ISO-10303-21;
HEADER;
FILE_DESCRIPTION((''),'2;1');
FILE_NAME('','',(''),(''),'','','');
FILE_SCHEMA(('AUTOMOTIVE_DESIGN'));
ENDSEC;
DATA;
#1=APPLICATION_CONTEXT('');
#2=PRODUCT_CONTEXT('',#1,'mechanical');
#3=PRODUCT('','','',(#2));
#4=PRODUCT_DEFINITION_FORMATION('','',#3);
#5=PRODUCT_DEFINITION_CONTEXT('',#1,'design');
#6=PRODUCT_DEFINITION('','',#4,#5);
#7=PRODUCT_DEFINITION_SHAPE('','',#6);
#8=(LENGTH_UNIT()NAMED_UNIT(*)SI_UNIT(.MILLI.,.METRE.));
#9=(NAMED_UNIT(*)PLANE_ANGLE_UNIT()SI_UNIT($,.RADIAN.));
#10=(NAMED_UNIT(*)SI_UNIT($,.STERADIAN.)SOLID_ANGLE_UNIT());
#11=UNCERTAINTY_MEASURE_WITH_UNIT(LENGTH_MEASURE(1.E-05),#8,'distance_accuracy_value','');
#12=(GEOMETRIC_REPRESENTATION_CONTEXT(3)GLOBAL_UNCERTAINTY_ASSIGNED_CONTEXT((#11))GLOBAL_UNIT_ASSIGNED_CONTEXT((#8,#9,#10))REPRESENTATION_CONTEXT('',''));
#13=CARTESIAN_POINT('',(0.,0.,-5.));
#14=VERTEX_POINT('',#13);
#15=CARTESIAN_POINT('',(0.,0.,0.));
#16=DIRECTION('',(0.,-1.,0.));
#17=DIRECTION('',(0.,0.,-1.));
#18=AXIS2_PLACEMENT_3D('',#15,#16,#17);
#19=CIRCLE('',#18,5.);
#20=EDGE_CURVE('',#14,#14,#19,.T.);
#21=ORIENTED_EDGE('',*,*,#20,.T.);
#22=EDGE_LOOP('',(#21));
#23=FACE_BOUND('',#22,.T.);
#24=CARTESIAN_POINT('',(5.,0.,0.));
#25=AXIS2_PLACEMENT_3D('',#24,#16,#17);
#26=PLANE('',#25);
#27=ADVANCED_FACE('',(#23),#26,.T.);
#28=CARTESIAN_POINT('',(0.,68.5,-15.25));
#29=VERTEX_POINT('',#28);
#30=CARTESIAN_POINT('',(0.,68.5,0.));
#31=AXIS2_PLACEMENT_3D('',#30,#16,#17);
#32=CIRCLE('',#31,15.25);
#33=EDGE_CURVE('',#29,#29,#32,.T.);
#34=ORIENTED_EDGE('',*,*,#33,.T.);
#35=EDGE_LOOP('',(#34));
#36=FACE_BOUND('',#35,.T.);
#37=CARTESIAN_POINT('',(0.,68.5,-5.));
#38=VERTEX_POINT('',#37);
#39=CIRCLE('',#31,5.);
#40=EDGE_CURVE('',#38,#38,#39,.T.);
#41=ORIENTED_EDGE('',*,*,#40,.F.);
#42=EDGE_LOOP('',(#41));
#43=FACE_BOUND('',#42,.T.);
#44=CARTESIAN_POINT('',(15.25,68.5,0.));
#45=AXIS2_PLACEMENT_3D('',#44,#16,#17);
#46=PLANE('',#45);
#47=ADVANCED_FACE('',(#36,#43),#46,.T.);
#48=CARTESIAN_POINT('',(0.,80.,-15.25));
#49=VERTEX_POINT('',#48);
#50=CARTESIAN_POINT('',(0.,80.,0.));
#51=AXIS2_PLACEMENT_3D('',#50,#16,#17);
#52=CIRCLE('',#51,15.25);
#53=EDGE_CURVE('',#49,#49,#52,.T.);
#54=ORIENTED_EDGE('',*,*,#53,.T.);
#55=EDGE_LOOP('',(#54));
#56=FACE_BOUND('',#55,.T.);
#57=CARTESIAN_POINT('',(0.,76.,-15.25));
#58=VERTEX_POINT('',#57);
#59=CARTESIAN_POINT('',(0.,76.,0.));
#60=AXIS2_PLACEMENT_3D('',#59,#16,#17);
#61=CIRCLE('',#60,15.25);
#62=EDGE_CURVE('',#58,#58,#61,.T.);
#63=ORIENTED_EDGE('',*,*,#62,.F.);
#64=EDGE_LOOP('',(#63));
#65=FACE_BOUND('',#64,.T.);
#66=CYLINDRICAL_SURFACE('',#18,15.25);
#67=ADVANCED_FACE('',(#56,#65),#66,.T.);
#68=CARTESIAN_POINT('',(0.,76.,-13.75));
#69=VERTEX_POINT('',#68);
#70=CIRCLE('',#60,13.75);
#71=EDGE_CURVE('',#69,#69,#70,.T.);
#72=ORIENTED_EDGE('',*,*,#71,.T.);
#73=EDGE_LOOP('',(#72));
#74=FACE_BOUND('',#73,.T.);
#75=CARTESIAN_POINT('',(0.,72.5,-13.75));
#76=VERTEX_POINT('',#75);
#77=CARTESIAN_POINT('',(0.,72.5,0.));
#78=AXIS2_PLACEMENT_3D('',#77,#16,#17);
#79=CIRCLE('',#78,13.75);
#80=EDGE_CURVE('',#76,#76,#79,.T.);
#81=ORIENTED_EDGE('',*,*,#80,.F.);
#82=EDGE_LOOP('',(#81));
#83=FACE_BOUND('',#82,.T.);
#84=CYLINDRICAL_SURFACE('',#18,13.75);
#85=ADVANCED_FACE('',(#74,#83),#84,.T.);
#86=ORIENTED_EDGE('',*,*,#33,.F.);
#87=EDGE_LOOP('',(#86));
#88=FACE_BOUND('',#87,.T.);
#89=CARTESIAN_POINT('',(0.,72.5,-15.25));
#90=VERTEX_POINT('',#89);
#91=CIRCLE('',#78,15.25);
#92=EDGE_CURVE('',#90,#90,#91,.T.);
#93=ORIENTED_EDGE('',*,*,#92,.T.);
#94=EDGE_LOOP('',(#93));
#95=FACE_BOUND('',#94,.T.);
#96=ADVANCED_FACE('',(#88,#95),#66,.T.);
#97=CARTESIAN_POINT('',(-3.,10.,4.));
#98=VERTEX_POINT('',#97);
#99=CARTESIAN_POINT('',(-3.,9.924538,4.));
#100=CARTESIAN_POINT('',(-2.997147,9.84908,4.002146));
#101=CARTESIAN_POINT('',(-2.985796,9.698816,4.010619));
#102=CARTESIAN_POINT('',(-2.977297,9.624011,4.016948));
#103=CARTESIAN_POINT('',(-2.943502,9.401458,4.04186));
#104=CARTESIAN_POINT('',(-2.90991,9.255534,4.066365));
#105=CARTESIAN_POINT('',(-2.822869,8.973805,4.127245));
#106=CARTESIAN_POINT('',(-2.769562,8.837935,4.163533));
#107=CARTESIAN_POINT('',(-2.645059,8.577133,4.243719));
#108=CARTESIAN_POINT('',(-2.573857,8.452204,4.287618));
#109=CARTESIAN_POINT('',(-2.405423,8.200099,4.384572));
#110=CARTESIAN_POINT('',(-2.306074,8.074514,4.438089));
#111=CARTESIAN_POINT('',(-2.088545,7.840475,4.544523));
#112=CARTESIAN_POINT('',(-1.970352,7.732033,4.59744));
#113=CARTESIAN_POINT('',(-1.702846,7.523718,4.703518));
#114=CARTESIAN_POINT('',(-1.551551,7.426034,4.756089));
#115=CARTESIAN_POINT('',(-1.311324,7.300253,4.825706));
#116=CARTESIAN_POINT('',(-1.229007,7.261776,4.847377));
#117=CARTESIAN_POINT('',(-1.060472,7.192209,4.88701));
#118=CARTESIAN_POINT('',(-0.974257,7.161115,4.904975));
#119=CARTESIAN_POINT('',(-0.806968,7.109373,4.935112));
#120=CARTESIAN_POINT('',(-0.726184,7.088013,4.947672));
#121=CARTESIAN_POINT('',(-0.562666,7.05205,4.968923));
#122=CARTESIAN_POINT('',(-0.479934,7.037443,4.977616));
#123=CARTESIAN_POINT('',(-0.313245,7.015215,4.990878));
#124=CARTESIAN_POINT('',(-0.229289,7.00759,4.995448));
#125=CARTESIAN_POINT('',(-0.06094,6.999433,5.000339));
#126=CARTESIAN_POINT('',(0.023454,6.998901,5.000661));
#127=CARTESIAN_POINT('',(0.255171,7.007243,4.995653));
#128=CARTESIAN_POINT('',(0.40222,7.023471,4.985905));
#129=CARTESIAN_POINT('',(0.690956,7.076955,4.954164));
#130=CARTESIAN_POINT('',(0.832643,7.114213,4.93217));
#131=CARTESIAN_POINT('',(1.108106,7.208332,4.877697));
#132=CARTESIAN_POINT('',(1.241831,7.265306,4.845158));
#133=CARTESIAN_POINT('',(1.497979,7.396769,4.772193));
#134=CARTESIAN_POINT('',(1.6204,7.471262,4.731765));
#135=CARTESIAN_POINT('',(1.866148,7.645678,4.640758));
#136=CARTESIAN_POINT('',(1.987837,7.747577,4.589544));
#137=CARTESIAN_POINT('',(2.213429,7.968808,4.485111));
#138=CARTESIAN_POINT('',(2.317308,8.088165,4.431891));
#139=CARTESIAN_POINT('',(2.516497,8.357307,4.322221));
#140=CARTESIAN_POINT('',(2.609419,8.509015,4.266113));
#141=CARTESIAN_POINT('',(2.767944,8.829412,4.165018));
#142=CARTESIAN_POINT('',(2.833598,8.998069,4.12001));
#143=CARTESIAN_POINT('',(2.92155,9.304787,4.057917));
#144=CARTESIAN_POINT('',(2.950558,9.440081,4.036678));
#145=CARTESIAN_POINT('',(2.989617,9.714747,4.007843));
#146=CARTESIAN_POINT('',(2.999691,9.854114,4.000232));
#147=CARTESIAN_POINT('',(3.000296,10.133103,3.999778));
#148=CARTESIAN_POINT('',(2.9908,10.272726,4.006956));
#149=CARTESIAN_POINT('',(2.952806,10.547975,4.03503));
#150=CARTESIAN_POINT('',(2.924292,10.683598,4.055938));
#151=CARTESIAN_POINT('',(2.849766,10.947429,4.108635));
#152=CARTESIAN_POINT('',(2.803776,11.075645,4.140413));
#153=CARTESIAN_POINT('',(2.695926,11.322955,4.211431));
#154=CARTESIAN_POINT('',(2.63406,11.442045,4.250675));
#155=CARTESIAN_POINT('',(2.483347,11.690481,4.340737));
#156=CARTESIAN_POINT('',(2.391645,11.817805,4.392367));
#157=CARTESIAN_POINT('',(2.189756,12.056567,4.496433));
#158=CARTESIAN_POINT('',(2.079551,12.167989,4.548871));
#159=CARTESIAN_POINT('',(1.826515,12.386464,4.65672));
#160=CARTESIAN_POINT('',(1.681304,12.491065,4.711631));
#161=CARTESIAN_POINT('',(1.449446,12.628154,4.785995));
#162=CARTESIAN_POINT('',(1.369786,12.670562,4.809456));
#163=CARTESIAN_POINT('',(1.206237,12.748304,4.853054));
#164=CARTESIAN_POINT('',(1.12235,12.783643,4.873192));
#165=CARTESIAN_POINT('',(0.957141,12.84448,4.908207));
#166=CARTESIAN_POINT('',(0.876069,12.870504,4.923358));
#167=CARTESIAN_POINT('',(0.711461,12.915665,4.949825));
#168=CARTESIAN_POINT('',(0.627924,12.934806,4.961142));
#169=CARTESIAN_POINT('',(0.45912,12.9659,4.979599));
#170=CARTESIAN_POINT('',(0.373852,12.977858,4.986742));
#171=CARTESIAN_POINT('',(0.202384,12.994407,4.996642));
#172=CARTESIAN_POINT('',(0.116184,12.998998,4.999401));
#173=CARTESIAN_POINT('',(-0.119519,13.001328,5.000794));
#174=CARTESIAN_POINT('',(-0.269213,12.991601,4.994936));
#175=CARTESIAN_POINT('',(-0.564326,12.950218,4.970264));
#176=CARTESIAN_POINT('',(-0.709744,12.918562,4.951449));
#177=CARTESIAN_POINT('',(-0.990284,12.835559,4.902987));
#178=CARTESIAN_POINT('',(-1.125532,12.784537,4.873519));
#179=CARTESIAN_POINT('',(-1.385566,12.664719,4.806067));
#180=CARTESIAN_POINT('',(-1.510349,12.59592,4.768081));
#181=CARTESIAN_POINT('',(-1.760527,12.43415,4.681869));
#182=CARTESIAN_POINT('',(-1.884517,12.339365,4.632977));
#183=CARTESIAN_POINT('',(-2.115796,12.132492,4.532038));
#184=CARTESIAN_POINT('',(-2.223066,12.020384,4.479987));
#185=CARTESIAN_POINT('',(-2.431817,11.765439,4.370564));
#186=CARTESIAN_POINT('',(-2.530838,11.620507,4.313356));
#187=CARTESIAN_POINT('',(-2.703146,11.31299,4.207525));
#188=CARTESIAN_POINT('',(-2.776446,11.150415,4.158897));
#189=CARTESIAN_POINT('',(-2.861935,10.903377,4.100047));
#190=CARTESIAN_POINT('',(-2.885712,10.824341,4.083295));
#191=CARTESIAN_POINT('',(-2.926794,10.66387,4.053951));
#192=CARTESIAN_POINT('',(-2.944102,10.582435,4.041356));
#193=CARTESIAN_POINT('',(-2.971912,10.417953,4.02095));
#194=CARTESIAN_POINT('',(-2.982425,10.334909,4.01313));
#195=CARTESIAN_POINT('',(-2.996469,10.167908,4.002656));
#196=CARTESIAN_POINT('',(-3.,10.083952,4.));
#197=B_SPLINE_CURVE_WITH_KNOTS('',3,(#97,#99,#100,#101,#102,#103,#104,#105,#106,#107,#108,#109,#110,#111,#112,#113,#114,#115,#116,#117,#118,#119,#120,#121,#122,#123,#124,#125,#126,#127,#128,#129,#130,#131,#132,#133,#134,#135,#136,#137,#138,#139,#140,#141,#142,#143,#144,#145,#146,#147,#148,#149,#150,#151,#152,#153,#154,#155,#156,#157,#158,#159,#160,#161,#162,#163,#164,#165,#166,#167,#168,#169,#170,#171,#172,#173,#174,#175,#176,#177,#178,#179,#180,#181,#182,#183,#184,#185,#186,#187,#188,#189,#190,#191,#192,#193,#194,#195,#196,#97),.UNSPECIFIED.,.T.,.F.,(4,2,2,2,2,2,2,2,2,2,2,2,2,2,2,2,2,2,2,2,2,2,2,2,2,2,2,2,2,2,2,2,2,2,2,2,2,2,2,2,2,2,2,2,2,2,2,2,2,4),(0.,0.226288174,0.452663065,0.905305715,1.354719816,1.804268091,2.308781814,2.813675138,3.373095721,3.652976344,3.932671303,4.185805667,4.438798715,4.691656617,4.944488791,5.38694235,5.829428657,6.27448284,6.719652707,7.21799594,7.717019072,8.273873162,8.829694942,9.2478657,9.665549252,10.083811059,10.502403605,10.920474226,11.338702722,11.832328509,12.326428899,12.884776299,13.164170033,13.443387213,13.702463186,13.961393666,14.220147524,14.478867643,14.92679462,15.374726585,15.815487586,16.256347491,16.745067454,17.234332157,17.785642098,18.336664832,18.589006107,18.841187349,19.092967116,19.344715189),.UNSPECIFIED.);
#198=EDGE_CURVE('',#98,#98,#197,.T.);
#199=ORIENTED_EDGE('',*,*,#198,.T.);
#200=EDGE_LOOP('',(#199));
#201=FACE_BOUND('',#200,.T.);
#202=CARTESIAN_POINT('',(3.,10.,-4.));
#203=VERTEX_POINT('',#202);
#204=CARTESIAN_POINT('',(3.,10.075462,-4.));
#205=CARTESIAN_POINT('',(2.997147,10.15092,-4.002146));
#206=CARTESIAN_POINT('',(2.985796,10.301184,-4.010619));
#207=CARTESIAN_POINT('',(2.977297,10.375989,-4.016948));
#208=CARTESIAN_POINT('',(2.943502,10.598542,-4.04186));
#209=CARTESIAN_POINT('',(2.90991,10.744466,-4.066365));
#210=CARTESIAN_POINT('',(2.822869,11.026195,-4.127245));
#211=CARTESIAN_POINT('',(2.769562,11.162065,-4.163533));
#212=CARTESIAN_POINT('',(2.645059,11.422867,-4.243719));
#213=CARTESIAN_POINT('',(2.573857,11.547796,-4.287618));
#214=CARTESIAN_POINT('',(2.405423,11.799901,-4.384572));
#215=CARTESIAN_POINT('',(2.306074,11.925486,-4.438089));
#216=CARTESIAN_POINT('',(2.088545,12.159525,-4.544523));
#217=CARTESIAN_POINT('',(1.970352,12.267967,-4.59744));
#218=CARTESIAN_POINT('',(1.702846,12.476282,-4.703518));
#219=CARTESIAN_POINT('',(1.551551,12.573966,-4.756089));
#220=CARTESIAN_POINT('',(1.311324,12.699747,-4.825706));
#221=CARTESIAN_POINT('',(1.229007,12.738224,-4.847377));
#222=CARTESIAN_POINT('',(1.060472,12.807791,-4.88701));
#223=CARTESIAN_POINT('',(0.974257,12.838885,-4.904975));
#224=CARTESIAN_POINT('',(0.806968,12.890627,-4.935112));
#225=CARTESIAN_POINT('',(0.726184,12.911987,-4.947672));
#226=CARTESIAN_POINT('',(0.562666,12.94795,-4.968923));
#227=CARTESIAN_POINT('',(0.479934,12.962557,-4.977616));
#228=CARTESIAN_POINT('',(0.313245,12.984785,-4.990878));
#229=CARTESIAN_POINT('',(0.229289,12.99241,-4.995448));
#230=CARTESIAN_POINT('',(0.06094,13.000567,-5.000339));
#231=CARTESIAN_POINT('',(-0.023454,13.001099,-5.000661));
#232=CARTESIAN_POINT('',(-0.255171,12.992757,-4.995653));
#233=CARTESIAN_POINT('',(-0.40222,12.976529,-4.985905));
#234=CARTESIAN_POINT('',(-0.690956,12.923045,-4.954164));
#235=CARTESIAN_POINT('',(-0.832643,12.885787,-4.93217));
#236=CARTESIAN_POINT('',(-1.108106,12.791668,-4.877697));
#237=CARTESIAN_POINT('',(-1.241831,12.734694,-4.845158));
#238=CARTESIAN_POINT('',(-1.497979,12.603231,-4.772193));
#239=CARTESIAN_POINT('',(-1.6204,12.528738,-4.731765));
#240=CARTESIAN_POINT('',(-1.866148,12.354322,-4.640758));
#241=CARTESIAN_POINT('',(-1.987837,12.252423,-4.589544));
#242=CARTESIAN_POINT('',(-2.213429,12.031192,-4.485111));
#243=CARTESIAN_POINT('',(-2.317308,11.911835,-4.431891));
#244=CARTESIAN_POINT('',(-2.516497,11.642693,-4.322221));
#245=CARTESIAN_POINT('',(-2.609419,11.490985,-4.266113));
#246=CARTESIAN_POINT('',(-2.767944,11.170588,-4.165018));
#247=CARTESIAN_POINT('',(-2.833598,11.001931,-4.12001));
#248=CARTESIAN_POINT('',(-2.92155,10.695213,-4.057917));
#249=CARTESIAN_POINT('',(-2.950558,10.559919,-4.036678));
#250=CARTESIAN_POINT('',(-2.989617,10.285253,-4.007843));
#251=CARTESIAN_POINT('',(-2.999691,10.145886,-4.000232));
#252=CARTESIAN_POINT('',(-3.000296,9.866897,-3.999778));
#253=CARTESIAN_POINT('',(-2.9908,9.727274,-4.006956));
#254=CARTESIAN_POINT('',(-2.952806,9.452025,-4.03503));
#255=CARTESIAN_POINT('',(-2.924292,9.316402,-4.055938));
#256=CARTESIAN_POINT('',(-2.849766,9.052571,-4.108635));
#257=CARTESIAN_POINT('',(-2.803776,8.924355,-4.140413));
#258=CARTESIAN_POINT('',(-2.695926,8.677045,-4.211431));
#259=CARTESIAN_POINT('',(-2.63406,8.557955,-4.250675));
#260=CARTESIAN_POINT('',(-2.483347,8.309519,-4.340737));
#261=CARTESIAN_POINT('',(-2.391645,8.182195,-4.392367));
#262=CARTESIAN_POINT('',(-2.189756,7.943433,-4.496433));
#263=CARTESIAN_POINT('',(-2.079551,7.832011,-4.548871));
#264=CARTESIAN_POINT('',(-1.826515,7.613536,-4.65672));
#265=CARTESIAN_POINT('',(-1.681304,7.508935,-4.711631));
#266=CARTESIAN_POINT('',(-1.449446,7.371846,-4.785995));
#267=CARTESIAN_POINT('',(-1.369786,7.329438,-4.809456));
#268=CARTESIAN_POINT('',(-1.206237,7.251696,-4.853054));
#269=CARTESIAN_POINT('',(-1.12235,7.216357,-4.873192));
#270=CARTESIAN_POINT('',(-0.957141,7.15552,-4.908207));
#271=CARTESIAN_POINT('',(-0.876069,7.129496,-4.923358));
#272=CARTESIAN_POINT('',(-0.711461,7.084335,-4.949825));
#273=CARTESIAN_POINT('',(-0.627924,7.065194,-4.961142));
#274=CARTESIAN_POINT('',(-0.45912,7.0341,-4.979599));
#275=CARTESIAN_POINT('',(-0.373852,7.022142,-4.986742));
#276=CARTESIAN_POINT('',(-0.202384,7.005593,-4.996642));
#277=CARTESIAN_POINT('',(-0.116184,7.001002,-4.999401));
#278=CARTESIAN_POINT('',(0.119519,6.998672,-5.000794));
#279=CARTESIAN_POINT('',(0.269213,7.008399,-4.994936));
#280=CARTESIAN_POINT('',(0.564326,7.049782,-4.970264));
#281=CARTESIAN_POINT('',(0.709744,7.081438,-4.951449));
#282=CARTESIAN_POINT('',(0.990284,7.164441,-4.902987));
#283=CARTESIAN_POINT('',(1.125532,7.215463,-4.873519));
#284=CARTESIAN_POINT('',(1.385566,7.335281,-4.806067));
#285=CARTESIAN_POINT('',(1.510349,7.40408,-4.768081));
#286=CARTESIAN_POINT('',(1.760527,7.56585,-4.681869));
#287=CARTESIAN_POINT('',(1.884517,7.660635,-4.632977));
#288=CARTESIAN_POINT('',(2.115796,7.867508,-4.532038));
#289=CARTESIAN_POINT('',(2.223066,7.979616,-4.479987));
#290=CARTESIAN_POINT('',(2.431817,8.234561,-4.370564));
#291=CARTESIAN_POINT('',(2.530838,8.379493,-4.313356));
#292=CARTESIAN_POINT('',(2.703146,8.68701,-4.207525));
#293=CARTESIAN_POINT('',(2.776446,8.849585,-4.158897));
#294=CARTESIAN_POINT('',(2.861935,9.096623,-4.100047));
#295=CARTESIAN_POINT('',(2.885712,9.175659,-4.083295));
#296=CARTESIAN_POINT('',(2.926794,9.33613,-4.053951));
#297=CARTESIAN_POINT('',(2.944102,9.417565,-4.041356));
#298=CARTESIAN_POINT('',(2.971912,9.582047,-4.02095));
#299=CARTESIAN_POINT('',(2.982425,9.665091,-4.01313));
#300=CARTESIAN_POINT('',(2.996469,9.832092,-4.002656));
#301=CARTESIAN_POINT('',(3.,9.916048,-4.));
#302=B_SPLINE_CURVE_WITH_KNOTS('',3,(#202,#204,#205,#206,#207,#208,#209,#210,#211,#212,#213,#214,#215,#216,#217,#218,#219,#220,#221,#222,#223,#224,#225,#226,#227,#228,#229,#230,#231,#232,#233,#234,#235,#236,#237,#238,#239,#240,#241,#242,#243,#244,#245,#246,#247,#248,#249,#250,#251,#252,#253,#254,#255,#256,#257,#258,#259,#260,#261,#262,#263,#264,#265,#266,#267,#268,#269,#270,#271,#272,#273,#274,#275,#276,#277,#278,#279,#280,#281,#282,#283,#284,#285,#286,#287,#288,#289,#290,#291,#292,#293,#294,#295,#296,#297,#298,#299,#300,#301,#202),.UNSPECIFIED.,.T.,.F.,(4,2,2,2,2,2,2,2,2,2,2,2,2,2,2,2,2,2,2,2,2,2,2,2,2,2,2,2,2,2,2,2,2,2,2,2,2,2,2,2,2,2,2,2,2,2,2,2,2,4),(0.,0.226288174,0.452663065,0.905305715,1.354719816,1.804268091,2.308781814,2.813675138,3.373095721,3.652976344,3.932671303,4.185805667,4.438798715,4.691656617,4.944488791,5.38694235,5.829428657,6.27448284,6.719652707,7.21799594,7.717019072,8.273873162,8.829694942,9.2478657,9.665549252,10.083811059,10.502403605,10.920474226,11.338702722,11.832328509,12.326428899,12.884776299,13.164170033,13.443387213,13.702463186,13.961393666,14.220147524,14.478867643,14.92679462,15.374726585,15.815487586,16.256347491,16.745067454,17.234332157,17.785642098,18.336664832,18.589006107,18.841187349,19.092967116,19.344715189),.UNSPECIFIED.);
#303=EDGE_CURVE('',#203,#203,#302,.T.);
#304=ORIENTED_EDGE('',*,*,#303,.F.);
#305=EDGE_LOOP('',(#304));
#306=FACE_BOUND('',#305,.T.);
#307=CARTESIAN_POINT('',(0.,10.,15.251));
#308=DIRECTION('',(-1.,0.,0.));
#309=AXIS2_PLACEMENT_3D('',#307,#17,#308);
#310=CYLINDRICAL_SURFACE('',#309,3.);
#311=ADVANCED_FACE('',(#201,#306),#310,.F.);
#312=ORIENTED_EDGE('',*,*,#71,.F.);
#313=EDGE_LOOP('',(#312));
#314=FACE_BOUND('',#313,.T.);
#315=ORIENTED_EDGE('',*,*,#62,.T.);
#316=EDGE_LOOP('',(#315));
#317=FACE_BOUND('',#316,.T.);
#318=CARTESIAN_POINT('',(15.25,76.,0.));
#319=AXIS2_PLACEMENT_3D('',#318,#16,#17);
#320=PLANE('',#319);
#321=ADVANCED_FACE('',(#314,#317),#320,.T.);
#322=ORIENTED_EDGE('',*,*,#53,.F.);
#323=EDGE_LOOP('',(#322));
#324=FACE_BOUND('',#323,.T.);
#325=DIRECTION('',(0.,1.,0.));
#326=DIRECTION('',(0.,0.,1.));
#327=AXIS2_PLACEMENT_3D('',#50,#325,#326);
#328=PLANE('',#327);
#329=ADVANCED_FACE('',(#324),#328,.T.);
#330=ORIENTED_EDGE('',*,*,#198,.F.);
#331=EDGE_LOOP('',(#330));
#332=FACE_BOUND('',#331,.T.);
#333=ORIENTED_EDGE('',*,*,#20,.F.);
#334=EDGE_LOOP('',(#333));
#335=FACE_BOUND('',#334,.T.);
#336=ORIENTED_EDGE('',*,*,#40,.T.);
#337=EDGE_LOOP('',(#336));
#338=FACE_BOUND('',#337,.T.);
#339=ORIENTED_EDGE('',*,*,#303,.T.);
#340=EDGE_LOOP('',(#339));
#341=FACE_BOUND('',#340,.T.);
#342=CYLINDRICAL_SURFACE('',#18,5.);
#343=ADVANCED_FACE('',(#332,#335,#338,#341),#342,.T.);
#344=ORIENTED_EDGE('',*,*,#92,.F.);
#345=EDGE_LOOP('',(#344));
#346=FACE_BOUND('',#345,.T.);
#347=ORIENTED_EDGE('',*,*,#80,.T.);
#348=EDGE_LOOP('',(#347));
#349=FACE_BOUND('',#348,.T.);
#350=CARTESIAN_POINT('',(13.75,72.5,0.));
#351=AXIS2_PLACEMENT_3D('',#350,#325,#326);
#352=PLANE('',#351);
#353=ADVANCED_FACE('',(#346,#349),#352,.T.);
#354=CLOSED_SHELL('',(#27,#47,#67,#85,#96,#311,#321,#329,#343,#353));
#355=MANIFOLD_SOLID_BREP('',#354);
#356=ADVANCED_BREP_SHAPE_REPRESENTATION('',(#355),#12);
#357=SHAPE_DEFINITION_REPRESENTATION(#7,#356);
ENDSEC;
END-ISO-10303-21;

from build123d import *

# Parameters (mm, degrees)
CUT_EXTRUDE1_REACH                  = 84.856
CUT_EXTRUDE1_END_RADIUS             = 5
SKETCH3_R                           = 3
CUT_EXTRUDE1_DIRECTION_2_REACH      = 84.856
CUT_EXTRUDE1_DIRECTION_2_END_RADIUS = 5


with BuildPart() as part:
    # Sketch1 → Revolve2 (revolve)
    with BuildSketch(Plane.XY, mode=Mode.PRIVATE) as revolve2_sk:
        Polygon((0, 0), (0, 80), (15.25, 80), (15.25, 76), (13.75, 76), (13.75, 72.5), (15.25, 72.5), (15.25, 68.5), (5, 68.5), (5, 0), align=None)
    revolve(revolve2_sk.sketch.rotate(Axis((0, 0, 0), (0, 1, 0)), 90), axis=Axis((0, 0, 0), (0, 1, 0)))

    # Cut-Extrude1: up to this cylinder (the profile starts inside it)
    cut_extrude1_end = Plane(origin=(0, 10, 0), z_dir=(0, -1, 0)) * Cylinder(CUT_EXTRUDE1_END_RADIUS, 180.712, mode=Mode.PRIVATE)
    # Sketch3 → Cut-Extrude1 (cut, up to the surface)
    with BuildSketch(Plane.XY, mode=Mode.PRIVATE) as cut_extrude1_sk1:
        with Locations(Location((0, 10, 0), (0, 0, 180))):
            Circle(SKETCH3_R)
    cut_extrude1_tool1 = extrude(cut_extrude1_sk1.sketch, amount=-CUT_EXTRUDE1_REACH, mode=Mode.PRIVATE) & cut_extrude1_end
    add(cut_extrude1_tool1.solids().sort_by_distance((0, 10, 0))[0], mode=Mode.SUBTRACT)

    # Cut-Extrude1 direction 2: up to this cylinder (the profile starts inside it)
    cut_extrude1_direction_2_end = Plane(origin=(0, 10, 0), z_dir=(0, -1, 0)) * Cylinder(CUT_EXTRUDE1_DIRECTION_2_END_RADIUS, 180.712, mode=Mode.PRIVATE)
    # Sketch3 → Cut-Extrude1 direction 2 (cut, up to the surface)
    with BuildSketch(Plane.XY, mode=Mode.PRIVATE) as cut_extrude1_direction_2_sk1:
        with Locations(Location((0, 10, 0), (0, 0, 180))):
            Circle(SKETCH3_R)
    cut_extrude1_direction_2_tool1 = extrude(cut_extrude1_direction_2_sk1.sketch, amount=CUT_EXTRUDE1_DIRECTION_2_REACH, mode=Mode.PRIVATE) & cut_extrude1_direction_2_end
    add(cut_extrude1_direction_2_tool1.solids().sort_by_distance((0, 10, 0))[0], mode=Mode.SUBTRACT)


solid = part.part
